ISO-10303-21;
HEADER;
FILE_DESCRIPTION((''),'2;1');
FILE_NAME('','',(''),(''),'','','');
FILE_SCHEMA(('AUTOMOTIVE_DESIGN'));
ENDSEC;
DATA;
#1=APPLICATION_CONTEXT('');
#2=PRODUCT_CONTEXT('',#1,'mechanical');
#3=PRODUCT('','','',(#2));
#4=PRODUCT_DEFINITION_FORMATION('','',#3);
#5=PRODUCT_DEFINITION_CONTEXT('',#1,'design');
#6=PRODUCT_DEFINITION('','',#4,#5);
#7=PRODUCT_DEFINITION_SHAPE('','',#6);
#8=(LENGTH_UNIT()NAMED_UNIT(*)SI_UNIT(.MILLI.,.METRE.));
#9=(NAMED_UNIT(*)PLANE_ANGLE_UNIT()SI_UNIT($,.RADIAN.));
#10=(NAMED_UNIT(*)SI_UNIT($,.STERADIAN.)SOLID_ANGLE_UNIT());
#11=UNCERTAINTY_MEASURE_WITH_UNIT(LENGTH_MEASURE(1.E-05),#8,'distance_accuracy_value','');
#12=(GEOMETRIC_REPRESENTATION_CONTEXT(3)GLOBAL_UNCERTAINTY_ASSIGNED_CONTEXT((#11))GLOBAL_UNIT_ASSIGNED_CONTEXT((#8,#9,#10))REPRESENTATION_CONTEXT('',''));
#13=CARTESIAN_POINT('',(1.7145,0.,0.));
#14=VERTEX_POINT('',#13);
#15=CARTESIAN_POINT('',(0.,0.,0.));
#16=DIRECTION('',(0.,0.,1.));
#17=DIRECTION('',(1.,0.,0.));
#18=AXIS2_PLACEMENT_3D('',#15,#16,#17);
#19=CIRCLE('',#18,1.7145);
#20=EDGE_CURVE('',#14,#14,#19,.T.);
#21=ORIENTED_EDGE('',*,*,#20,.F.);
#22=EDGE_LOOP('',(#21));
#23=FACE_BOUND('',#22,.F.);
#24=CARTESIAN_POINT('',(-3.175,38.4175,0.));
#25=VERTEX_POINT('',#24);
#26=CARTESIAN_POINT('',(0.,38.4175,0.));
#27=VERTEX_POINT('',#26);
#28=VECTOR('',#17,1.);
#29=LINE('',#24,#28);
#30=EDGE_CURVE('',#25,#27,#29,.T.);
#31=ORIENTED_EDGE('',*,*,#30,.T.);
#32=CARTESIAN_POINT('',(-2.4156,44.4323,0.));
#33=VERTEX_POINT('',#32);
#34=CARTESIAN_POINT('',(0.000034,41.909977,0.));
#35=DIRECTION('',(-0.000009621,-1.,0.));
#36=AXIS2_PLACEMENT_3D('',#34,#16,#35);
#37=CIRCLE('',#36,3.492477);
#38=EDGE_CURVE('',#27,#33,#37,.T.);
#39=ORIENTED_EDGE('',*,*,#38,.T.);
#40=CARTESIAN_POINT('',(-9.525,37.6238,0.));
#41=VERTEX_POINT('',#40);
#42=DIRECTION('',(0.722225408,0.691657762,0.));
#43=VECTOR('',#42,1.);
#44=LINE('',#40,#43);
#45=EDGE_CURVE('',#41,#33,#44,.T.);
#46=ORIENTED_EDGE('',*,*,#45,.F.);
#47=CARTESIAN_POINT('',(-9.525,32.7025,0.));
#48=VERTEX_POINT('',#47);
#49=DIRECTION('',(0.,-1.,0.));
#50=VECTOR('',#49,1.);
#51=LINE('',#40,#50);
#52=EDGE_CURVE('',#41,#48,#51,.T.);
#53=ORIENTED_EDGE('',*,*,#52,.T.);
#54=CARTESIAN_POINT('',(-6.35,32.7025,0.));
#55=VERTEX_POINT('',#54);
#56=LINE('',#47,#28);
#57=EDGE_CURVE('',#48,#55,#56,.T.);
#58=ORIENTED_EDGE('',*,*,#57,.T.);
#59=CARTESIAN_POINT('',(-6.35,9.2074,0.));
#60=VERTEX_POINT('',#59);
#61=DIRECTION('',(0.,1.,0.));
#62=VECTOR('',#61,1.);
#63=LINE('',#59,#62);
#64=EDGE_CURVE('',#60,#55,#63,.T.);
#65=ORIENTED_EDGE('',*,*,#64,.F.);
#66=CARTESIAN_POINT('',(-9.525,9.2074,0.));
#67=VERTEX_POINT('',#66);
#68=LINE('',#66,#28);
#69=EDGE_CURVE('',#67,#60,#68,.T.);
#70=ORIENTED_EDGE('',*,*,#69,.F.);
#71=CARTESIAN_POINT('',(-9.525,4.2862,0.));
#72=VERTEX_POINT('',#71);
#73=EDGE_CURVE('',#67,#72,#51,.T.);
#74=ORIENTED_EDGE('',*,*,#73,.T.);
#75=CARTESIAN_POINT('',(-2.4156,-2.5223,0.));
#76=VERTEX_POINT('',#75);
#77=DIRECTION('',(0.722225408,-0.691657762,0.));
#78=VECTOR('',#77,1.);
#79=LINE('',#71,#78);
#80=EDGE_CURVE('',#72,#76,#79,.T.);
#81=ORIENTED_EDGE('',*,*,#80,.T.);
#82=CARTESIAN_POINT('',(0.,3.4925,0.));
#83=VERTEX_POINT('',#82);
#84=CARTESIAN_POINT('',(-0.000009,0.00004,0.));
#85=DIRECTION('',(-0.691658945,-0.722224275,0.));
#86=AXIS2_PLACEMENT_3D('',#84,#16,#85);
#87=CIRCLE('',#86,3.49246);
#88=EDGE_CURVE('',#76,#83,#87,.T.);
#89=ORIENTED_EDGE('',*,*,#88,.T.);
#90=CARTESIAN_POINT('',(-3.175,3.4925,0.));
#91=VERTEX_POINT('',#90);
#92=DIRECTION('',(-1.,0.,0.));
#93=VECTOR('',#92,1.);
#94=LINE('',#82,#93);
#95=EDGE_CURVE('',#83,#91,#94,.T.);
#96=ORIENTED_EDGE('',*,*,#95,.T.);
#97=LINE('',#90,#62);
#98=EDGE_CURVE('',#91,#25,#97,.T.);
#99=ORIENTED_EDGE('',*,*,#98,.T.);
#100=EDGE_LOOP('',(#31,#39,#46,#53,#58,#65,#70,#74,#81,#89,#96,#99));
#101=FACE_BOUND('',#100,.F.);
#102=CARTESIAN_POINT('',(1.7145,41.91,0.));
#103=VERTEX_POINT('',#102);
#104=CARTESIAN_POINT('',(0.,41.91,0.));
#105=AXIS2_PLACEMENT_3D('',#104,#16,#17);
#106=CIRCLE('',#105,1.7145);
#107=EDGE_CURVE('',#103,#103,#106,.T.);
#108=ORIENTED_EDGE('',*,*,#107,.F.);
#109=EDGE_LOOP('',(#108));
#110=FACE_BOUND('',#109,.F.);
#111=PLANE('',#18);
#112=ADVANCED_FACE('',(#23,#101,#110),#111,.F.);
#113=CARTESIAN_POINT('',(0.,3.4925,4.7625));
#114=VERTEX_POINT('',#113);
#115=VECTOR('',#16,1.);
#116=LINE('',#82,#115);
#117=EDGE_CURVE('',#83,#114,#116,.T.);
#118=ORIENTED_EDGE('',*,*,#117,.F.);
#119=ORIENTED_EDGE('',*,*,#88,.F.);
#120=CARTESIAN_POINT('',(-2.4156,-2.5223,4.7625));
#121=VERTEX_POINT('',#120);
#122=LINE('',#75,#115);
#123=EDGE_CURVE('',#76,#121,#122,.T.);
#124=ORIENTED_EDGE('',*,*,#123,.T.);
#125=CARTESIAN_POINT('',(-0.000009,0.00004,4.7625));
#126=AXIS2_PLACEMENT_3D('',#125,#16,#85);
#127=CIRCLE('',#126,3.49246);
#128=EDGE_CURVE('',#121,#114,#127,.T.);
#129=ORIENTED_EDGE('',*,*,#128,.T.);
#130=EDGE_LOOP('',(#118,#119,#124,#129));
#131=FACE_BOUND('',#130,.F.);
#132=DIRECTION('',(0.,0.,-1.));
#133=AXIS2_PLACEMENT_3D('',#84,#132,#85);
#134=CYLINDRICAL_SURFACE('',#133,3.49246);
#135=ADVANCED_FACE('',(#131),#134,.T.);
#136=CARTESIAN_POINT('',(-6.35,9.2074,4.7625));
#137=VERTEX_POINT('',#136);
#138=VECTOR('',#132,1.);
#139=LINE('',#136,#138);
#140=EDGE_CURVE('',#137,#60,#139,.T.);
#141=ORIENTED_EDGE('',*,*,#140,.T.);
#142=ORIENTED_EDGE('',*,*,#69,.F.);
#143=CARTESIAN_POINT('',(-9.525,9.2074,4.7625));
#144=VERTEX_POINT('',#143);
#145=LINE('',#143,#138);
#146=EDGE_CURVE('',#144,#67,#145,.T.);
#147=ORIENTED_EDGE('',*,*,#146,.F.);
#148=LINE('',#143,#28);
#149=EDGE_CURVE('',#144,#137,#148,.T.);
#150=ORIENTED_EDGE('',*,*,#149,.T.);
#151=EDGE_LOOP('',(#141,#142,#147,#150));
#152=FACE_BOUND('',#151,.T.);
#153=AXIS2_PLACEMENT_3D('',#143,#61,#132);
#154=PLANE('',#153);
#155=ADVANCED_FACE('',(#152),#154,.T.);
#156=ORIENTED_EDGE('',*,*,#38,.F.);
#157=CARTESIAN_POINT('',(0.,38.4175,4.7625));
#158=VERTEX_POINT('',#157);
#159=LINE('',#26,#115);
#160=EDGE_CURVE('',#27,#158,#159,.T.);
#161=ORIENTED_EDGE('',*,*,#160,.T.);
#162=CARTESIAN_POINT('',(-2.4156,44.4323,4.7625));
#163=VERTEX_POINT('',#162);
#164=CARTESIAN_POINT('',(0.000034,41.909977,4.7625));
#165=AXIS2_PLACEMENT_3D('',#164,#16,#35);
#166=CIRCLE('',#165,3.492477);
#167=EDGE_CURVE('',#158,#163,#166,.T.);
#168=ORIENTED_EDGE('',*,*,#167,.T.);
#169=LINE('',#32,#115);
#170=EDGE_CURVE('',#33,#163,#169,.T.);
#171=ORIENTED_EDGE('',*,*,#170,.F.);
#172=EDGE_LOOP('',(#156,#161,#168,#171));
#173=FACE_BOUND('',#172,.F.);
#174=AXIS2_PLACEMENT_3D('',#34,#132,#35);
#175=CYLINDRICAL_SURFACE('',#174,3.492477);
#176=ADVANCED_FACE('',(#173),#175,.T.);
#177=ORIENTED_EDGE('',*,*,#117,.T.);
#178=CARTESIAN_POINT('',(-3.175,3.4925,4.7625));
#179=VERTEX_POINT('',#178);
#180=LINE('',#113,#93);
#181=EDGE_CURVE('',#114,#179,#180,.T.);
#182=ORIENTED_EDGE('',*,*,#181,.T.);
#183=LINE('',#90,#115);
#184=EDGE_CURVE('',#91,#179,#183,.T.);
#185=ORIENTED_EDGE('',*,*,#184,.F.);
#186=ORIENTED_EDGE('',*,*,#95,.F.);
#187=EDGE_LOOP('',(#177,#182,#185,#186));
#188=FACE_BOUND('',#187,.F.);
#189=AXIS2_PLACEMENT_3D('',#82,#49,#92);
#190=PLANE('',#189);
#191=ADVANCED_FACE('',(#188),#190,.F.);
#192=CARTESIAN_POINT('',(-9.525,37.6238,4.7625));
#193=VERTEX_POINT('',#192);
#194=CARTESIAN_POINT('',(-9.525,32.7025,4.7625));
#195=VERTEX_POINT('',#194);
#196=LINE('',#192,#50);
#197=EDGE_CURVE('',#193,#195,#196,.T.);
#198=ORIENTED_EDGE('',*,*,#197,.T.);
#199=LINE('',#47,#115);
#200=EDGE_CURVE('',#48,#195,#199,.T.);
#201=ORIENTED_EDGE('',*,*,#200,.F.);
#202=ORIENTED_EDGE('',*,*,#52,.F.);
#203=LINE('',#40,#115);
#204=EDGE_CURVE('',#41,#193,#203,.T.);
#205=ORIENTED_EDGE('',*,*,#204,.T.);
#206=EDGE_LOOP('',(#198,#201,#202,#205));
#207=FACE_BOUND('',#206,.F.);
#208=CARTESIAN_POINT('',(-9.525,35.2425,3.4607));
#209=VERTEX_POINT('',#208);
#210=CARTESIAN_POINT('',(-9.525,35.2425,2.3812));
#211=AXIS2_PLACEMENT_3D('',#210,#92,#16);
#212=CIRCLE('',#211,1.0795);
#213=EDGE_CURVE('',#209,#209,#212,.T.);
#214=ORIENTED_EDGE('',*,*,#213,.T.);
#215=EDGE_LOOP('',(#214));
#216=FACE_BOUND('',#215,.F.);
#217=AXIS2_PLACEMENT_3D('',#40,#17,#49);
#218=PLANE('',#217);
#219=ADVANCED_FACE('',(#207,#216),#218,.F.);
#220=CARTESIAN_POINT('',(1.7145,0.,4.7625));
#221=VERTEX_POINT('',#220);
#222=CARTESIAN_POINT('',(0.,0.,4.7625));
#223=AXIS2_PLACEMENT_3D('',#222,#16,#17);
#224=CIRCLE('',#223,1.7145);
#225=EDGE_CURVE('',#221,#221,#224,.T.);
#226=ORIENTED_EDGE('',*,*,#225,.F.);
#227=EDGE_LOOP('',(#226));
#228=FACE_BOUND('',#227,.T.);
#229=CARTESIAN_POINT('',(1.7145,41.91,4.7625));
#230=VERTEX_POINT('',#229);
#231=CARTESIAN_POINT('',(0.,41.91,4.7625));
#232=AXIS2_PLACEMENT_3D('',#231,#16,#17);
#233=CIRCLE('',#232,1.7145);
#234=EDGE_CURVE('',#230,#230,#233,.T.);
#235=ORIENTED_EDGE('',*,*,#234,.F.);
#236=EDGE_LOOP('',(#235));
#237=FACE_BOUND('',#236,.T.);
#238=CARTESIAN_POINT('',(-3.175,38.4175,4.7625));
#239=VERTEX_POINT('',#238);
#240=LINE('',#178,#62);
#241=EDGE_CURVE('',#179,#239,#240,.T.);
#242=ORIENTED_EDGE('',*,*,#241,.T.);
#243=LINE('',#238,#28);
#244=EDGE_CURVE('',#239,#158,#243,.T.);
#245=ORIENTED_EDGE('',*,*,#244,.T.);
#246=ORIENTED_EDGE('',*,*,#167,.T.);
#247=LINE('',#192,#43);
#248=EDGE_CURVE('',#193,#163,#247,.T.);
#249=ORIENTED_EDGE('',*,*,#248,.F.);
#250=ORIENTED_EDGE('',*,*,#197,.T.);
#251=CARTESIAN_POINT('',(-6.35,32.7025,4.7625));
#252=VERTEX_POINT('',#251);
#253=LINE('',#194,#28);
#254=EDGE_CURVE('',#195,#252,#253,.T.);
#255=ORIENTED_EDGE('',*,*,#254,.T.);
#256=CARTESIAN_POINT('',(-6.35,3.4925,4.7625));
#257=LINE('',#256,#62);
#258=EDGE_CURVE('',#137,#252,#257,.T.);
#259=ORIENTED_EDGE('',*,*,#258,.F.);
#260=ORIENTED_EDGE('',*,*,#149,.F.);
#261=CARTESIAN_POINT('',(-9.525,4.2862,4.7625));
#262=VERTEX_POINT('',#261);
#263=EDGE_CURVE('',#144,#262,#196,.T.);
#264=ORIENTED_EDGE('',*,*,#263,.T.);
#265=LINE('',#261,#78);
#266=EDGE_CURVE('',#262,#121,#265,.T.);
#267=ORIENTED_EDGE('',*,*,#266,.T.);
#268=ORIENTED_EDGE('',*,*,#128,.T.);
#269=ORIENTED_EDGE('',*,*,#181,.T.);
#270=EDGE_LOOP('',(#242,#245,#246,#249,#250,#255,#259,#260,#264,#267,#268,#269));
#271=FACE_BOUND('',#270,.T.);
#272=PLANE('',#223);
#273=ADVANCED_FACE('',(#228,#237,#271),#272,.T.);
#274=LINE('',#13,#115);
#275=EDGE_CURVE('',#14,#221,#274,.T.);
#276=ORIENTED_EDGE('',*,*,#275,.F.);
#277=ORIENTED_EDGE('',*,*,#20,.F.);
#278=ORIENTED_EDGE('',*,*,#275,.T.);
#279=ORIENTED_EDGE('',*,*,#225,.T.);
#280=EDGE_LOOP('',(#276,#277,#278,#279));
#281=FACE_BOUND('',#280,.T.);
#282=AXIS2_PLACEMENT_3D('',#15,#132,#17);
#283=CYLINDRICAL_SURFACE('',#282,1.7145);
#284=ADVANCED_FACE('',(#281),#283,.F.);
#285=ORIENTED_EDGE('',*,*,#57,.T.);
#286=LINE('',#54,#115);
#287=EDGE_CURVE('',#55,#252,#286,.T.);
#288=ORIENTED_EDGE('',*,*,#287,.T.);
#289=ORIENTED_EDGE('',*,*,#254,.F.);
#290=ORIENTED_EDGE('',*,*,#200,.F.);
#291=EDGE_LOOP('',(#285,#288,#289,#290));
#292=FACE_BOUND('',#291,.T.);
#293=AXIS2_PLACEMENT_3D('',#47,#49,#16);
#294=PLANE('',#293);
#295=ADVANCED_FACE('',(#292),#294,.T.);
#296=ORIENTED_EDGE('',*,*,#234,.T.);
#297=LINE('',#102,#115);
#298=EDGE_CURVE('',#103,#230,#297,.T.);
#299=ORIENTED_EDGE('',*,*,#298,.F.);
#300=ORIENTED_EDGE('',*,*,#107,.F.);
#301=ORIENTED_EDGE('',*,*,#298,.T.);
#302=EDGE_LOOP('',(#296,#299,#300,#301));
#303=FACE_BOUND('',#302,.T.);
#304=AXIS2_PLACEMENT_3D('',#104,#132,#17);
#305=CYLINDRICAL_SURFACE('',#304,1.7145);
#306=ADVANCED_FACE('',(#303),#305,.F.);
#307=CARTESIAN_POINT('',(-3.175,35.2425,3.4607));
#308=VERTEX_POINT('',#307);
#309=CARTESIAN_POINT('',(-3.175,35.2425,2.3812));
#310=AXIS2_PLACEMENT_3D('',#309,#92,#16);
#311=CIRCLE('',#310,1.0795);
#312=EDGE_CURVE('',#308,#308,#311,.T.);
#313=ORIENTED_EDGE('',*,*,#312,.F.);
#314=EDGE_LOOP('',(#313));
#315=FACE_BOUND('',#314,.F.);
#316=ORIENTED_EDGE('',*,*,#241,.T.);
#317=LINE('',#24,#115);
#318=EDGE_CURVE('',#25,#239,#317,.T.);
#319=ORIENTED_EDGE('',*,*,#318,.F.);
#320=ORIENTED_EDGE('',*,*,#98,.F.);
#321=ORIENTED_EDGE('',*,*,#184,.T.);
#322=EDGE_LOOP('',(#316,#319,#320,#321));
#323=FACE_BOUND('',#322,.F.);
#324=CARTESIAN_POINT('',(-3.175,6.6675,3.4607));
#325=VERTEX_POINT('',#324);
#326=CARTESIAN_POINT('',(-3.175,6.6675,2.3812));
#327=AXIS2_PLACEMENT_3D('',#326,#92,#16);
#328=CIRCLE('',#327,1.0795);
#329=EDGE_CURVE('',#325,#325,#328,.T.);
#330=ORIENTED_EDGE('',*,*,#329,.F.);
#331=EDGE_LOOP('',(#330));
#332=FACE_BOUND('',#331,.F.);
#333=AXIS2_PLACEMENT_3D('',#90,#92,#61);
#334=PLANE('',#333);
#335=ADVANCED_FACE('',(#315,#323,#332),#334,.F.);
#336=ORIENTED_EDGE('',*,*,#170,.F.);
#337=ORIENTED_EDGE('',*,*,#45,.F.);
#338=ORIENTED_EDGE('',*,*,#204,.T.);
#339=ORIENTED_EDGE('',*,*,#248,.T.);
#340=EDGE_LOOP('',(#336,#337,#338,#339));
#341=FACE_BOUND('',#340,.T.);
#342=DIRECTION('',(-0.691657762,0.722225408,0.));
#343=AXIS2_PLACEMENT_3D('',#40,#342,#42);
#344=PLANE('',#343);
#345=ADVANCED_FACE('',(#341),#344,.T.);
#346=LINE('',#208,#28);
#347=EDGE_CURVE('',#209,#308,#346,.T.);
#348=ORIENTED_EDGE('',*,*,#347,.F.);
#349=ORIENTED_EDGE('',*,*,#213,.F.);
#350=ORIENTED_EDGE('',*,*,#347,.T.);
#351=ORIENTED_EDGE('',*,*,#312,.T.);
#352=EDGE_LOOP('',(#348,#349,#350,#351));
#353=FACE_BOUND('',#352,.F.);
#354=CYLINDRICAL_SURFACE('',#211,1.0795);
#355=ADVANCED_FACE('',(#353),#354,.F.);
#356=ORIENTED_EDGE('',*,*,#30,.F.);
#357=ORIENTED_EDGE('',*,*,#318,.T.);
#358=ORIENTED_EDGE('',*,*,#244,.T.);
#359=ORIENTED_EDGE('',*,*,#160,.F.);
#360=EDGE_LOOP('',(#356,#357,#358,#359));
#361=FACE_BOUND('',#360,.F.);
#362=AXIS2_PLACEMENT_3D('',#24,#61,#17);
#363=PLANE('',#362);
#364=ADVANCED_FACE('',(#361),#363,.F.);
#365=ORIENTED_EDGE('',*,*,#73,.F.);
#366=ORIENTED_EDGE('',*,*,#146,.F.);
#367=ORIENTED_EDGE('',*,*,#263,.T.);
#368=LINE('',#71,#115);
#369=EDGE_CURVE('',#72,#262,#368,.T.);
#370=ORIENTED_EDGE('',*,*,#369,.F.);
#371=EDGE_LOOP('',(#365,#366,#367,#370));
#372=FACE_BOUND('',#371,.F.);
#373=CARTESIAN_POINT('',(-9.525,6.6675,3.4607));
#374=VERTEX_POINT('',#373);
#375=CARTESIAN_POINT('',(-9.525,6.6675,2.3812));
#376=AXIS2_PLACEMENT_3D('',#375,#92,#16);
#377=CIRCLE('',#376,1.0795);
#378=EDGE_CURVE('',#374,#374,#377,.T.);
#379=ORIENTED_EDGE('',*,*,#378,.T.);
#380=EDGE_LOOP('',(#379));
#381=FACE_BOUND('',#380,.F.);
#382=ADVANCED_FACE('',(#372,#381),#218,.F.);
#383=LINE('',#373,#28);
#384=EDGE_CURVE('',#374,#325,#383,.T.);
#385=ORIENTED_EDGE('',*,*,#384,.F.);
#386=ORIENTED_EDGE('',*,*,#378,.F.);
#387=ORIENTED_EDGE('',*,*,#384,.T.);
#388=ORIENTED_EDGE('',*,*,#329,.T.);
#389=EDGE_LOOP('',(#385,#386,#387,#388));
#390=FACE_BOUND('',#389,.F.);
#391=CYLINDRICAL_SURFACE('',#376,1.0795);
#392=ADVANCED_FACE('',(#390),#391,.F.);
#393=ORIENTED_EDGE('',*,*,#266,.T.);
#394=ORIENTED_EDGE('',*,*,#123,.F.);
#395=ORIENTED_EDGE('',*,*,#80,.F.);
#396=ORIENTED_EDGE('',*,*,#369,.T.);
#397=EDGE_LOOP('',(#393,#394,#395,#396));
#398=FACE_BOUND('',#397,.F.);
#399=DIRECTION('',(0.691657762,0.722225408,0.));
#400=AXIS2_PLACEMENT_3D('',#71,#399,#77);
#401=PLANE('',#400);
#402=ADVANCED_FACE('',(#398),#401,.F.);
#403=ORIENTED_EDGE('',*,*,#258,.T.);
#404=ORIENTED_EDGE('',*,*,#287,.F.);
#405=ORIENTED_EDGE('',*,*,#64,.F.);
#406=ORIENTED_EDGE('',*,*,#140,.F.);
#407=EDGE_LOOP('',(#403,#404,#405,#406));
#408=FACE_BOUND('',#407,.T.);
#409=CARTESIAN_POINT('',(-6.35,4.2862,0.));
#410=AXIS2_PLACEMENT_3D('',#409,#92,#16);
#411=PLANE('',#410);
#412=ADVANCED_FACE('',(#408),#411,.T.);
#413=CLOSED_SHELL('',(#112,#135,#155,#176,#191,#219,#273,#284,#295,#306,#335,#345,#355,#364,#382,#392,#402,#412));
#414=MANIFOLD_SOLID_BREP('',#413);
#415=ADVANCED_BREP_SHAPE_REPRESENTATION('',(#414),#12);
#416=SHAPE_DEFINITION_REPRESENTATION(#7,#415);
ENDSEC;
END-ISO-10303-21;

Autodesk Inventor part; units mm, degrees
ref_plane "YZ Plane" through (0, 0, 0) normal (1, 0, 0) x (0, 1, 0)
ref_plane "XZ Plane" through (0, 0, 0) normal (0, 1, 0) x (-1, 0, 0)
ref_plane "XY Plane" through (0, 0, 0) normal (0, 0, 1) x (1, 0, 0)
sketch "Sketch1" plane through (0, 0, 0) normal (0, 0, 1) x (1, 0, 0)
  circle A0 centre (0, 0) radius 1.7145
  circle A1 centre (0, 41.91) radius 1.7145
  arc A2 (0, 38.4175) -> (-2.4156, 44.4323) centre (0, 41.91) ccw
  arc A3 (-2.4156, -2.5223) -> (0, 3.4925) centre (0, 0) ccw
  line L0 (0, 3.4925) -> (-3.175, 3.4925)
  line L1 (-3.175, 3.4925) -> (-3.175, 38.4175)
  line L2 (-3.175, 38.4175) -> (0, 38.4175)
  line L3 (-9.525, 37.6238) -> (-9.525, 4.2862)
  line L4 (-9.525, 4.2862) -> (-2.4156, -2.5223)
  line L5 (-9.525, 37.6238) -> (-2.4156, 44.4323)
  dimension "d0" = 3.429
  dimension "d1" = 3.429
  dimension "d2" = 6.985
  dimension "d3" = 6.985
  dimension "d4" = 3.175
  dimension "d5" = 41.91
  dimension "d6" = 33.3375
  dimension "d13" = 9.525
extrude "Extrusion1" add sketch "Sketch1" along normal blind 4.7625
sketch "Sketch2" plane through (-9.525, 4.2862, 0) normal (-1, 0, 0) x (0, 0, 1)
  circle A0 centre (2.3812, 30.9563) radius 1.0795
  circle A1 centre (2.3812, 2.3813) radius 1.0795
  line L0 (0, 33.3375) -> (4.7625, 33.3375) construction
  line L1 (2.3812, 30.9563) -> (2.3812, 2.3813) construction
  line L2 (0, 0) -> (0, 33.3375) construction
  point P0 (0, -4.2862)
  point P1 (2.3813, 33.3375)
  point P2 (2.3813, 16.6688)
  point P3 (0, 16.6688)
  dimension "d9" = 28.575
  dimension "d10" = 2.159
extrude "Extrusion2" cut sketch "Sketch2" against normal through all
sketch "Sketch3" plane through (-9.525, 4.2862, 0) normal (-1, 0, 0) x (0, 0, 1)
  circle A0 centre (2.3812, 30.9563) radius 1.0795 construction
  circle A1 centre (2.3812, 2.3813) radius 1.0795 construction
  line L0 (0, 0) -> (0, 33.3375) construction
  line L1 (0, 0) -> (4.7625, 0) construction
  line L2 (4.7625, 33.3375) -> (4.7625, 0) construction
  line L3 (0, 33.3375) -> (4.7625, 33.3375) construction
  line L4 (4.7625, -0.7937) -> (4.7625, 34.1313) projected
  line L5 (0, 28.4163) -> (4.7625, 28.4163)
  line L6 (4.7625, 28.4163) -> (4.7625, 4.9212)
  line L7 (4.7625, 4.9212) -> (0, 4.9212)
  line L8 (0, 4.9212) -> (0, 28.4163)
  point P0 (0, -4.2862)
  point P1 (4.7625, 16.6688)
  point P2 (4.7625, 16.6688)
  dimension "d14" = 23.495
extrude "Extrusion3" cut sketch "Sketch3" against normal blind 3.175
properties part number "relayHolder2" material "ABS Plastic"
